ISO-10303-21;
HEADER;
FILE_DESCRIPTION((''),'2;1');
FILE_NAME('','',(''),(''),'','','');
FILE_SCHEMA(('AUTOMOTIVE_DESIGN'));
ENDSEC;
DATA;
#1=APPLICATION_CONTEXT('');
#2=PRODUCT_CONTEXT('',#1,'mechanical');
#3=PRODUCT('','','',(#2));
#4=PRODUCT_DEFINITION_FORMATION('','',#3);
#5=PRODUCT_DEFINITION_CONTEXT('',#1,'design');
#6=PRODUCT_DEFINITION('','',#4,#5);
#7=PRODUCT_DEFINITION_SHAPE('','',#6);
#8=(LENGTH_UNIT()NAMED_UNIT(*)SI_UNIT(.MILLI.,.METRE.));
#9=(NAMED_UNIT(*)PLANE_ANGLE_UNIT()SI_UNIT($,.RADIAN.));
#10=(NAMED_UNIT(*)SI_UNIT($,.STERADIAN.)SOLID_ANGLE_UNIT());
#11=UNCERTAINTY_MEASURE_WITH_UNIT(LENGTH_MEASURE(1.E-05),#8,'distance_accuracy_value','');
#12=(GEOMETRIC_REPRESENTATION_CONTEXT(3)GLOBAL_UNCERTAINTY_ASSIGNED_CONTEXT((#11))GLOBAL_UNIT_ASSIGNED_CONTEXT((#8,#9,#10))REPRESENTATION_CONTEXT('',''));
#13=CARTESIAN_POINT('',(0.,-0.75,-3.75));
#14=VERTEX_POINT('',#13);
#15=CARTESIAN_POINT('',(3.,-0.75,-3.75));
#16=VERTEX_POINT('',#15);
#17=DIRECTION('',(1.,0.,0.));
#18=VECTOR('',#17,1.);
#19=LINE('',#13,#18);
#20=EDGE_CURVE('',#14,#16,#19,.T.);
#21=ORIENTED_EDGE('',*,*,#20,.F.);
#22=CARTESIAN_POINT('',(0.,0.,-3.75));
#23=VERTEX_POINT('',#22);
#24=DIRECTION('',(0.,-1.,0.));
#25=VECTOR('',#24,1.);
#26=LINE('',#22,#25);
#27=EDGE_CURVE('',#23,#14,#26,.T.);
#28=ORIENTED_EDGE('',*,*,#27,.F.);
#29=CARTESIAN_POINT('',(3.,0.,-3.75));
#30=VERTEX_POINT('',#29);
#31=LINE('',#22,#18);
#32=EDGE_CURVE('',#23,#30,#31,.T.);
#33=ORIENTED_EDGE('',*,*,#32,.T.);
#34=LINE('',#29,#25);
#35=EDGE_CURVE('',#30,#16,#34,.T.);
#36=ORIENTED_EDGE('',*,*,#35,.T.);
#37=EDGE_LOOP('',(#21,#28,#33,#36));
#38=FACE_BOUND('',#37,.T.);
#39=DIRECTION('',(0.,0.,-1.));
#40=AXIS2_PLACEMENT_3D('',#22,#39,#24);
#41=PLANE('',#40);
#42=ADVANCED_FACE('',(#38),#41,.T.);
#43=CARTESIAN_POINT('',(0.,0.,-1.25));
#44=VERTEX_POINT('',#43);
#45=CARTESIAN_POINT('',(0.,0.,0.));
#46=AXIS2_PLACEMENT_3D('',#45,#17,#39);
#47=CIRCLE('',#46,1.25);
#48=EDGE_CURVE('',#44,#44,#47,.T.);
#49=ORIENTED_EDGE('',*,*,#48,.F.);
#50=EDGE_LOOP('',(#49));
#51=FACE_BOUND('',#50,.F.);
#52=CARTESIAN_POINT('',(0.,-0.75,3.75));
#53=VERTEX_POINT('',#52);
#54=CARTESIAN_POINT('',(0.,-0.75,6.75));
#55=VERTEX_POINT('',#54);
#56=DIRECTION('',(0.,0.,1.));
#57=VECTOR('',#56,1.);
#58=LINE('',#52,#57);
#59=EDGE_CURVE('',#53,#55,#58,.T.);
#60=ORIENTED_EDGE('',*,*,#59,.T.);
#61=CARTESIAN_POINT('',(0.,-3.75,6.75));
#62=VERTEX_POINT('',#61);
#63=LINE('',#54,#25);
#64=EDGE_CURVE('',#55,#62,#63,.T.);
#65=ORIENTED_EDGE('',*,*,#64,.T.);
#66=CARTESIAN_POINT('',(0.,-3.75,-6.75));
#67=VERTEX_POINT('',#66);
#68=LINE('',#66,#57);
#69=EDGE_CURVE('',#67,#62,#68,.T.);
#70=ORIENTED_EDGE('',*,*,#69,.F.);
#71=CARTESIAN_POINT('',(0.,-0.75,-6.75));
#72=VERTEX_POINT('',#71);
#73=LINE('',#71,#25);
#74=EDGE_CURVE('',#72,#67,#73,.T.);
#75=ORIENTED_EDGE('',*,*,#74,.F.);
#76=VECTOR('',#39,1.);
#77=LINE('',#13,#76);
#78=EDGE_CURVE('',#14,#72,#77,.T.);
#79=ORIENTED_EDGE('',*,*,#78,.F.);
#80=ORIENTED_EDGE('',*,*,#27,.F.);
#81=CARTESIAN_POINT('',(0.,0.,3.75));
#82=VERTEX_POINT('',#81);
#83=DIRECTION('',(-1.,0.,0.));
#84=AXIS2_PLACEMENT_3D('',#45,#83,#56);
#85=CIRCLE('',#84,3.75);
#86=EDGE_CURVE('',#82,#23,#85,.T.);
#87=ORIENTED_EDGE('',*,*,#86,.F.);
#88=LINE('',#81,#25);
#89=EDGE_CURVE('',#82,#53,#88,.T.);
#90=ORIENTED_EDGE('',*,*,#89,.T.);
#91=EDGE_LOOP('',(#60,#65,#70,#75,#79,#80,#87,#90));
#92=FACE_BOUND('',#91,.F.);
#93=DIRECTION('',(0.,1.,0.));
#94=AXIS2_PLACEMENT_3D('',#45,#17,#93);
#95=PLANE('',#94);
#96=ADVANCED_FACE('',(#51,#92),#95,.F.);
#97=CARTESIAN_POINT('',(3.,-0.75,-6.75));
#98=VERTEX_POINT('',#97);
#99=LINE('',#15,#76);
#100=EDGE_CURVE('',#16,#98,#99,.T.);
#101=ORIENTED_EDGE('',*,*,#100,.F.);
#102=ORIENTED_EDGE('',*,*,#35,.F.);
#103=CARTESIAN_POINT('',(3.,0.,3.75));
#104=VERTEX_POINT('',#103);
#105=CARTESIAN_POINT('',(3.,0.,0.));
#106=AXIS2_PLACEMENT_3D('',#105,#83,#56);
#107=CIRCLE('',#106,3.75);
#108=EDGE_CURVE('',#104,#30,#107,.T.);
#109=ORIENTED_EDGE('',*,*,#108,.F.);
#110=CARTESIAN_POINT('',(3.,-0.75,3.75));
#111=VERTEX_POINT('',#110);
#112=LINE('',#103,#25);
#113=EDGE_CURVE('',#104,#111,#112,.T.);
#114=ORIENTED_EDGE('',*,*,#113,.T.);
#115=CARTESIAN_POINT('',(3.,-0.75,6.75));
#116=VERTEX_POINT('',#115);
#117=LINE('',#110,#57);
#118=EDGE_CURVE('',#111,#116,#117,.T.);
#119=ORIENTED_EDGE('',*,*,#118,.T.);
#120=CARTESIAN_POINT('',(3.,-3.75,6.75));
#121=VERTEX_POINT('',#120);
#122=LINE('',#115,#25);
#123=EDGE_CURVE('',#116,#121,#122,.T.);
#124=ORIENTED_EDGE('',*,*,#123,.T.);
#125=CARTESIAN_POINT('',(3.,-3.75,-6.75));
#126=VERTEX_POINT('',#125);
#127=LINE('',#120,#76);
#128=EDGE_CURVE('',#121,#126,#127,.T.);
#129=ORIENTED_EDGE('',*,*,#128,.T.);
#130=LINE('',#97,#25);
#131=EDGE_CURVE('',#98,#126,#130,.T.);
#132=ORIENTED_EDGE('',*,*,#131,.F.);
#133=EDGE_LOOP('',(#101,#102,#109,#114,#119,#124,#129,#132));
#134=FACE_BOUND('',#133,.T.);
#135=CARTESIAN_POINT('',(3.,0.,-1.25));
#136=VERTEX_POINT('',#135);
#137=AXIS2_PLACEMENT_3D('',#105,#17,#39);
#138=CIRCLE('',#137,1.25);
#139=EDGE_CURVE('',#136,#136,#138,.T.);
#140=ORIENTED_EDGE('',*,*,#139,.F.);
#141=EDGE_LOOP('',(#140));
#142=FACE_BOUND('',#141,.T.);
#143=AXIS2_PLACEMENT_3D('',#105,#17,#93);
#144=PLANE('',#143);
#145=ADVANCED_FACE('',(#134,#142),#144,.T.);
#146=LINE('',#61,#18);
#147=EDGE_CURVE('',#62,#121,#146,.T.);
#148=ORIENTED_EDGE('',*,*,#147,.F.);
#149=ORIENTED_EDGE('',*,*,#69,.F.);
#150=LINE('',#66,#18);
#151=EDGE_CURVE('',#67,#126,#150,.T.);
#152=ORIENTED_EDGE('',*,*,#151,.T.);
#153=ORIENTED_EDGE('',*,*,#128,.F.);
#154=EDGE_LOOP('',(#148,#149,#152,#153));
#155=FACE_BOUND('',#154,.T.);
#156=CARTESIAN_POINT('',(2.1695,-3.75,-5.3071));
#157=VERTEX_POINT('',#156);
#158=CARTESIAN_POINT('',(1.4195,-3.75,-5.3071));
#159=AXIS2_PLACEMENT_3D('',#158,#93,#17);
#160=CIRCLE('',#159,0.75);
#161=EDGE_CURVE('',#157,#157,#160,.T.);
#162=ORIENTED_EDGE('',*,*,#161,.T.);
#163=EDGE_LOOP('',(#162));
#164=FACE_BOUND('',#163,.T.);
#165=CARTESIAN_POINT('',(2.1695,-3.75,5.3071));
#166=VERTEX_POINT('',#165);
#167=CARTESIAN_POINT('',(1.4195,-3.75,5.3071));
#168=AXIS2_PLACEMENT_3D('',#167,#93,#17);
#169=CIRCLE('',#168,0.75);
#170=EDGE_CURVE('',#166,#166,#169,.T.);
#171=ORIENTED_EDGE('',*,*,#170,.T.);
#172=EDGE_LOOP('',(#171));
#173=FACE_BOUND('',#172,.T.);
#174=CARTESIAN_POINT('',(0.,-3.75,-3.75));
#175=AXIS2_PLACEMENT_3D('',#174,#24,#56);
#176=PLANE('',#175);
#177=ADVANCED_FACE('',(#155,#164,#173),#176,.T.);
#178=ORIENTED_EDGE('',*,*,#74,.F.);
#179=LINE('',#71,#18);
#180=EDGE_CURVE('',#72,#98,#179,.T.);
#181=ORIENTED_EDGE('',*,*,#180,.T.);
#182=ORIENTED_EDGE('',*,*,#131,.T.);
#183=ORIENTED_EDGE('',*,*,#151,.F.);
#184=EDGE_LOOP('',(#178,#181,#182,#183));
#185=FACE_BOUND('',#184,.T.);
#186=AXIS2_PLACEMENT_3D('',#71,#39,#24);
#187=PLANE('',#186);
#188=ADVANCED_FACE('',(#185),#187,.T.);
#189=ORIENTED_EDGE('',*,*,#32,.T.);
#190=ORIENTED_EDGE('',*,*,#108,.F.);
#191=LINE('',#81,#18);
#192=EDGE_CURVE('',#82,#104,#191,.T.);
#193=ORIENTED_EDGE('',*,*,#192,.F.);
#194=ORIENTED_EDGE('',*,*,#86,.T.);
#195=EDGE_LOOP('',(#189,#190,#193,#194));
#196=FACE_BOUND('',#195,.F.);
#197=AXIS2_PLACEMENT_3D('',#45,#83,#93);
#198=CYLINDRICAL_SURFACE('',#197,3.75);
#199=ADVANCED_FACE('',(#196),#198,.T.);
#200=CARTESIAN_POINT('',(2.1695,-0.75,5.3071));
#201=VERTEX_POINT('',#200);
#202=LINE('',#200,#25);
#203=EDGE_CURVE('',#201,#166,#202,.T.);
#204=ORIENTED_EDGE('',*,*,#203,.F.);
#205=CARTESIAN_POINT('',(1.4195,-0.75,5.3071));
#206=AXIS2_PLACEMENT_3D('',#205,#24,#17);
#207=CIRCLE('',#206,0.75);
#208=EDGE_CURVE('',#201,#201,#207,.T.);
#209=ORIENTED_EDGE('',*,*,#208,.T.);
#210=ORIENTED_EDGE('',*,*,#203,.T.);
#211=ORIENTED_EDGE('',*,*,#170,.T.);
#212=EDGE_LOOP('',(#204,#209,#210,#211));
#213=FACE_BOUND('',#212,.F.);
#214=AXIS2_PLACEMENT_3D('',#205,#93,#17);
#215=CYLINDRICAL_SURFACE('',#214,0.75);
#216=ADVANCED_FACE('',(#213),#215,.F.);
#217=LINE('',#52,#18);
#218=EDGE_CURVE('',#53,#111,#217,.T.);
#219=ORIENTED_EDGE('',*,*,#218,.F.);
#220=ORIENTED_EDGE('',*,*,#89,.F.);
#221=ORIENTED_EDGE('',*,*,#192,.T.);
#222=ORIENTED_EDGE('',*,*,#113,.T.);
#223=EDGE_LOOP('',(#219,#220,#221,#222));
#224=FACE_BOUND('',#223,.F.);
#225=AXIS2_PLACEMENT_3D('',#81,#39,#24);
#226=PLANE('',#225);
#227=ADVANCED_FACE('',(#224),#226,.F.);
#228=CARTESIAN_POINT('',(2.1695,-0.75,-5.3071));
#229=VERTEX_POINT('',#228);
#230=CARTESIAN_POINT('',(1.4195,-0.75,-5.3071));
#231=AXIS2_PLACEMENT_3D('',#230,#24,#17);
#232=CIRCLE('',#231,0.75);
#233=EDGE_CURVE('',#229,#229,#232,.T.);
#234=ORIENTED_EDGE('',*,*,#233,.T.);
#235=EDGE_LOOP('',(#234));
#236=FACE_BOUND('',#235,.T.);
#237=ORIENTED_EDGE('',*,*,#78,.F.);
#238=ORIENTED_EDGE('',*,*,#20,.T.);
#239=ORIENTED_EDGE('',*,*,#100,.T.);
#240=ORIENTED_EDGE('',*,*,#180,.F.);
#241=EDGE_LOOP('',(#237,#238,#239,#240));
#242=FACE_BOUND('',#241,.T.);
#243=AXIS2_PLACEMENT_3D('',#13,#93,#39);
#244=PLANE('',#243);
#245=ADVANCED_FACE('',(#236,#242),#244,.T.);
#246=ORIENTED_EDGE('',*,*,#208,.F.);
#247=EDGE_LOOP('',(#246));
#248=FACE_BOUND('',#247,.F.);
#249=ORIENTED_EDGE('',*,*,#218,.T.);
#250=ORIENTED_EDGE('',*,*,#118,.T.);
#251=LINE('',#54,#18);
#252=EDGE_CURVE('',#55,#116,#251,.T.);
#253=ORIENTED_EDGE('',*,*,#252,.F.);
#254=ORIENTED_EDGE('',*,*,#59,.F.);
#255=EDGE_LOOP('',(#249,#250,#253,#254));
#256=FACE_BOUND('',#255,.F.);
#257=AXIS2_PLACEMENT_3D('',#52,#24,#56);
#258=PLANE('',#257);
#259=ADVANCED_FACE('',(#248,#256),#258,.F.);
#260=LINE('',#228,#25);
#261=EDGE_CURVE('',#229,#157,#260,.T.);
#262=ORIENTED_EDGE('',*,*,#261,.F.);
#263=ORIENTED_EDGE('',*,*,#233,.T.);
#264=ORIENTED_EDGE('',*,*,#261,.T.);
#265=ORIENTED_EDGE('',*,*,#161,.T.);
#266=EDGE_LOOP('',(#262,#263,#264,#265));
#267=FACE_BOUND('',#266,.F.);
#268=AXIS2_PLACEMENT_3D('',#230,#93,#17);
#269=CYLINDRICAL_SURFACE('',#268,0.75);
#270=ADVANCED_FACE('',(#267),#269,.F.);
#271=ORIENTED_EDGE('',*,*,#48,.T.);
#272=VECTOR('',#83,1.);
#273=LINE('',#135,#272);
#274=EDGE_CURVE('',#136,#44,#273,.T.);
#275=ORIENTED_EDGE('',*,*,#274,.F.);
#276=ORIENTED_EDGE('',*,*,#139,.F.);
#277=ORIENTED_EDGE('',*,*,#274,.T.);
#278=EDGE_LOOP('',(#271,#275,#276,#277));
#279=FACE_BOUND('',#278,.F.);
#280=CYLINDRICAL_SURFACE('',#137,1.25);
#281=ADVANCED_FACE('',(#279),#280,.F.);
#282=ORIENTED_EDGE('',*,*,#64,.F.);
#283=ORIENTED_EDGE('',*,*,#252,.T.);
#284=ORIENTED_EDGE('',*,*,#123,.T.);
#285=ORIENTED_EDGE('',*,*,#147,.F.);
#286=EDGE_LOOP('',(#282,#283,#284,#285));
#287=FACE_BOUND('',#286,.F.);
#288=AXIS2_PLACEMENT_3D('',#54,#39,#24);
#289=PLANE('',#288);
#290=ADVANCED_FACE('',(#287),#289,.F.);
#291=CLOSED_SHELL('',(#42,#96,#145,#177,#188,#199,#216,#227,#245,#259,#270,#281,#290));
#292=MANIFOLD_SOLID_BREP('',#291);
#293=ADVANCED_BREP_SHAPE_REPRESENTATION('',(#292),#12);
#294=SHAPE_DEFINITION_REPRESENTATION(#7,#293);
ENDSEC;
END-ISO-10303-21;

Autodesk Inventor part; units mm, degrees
ref_plane "YZ Plane" through (0, 0, 0) normal (1, 0, 0) x (0, 1, 0)
ref_plane "XZ Plane" through (0, 0, 0) normal (0, 1, 0) x (-1, 0, 0)
ref_plane "XY Plane" through (0, 0, 0) normal (0, 0, 1) x (1, 0, 0)
sketch "Sketch1" plane through (0, 0, 0) normal (1, 0, 0) x (0, 1, 0)
  circle A0 centre (0, 0) radius 1.25
  circle A1 centre (0, 0) radius 3.75
  line L0 (0, -3.75) -> (-3.5355, -3.75)
  line L1 (-3.5355, -3.75) -> (-3.5355, -1.25)
  line L2 (-3.5355, -1.25) -> (0, -1.25)
  line L3 (0, -1.25) -> (0, -3.75)
  line L4 (0, 3.75) -> (-2.9201, 3.75)
  line L5 (-2.9201, 3.75) -> (-2.9201, 1.25)
  line L6 (-2.9201, 1.25) -> (0, 1.25)
  line L7 (0, 1.25) -> (0, 3.75)
  line L8 (-3.75, 0) -> (-1.25, 0)
  line L9 (-1.25, 0) -> (-1.25, -3.75)
  line L10 (-1.25, -3.75) -> (-3.75, -3.75)
  line L11 (-3.75, -3.75) -> (-3.75, 0)
  line L12 (-3.75, 0) -> (-1.25, 0)
  line L13 (-1.25, 0) -> (-1.25, 3.75)
  line L14 (-1.25, 3.75) -> (-3.75, 3.75)
  line L15 (-3.75, 3.75) -> (-3.75, 0)
  line L16 (-3.75, 3.75) -> (-0.75, 3.75)
  line L17 (-0.75, 3.75) -> (-0.75, 6.75)
  line L18 (-0.75, 6.75) -> (-3.75, 6.75)
  line L19 (-3.75, 6.75) -> (-3.75, 3.75)
  line L20 (0, -3.75) -> (-2.9201, -3.75)
  line L21 (-0.75, -3.75) -> (-0.75, -6.75)
  line L22 (-0.75, -6.75) -> (-3.75, -6.75)
  line L23 (-3.75, -6.75) -> (-3.75, -3.75)
  line L24 (-0.75, -6.75) -> (-3.75, -6.75)
  line L25 (-3.75, -6.75) -> (-3.75, -3.75)
  line L26 (-3.75, -3.75) -> (-0.75, -3.75)
  line L27 (-0.75, -3.75) -> (-0.75, -6.75)
  dimension "d0" = 2.5
  dimension "d1" = 7.5
  dimension "d2" = 3
  dimension "d3" = 3
extrude "Extrusion1" add sketch "Sketch1" along normal blind 3
sketch "Sketch2" plane through (3, 0, 0) normal (1, 0, 0) x (0, 0, -1)
  circle A0 centre (0, 0) radius 1.25
  dimension "d6" = 2.5
extrude "Extrusion2" cut sketch "Sketch2" against normal blind 10
sketch "Sketch3" plane through (0, -0.75, 6.75) normal (0, 1, 0) x (1, 0, 0)
  line L0 (0, 0) -> (3, 3.0493)
  line L1 (3, 0) -> (3, 13.5) projected
  line L2 (0, 6.75) -> (4.6316, 6.75)
  circle A0 centre (1.4195, 1.4429) radius 0.75
  line L3 (0, 13.5) -> (3, 10.4507)
  circle A1 centre (1.4195, 12.0571) radius 0.75
  dimension "d9" = 1.5
extrude "Extrusion3" cut sketch "Sketch3" against normal blind 10
properties part number "attachment"
